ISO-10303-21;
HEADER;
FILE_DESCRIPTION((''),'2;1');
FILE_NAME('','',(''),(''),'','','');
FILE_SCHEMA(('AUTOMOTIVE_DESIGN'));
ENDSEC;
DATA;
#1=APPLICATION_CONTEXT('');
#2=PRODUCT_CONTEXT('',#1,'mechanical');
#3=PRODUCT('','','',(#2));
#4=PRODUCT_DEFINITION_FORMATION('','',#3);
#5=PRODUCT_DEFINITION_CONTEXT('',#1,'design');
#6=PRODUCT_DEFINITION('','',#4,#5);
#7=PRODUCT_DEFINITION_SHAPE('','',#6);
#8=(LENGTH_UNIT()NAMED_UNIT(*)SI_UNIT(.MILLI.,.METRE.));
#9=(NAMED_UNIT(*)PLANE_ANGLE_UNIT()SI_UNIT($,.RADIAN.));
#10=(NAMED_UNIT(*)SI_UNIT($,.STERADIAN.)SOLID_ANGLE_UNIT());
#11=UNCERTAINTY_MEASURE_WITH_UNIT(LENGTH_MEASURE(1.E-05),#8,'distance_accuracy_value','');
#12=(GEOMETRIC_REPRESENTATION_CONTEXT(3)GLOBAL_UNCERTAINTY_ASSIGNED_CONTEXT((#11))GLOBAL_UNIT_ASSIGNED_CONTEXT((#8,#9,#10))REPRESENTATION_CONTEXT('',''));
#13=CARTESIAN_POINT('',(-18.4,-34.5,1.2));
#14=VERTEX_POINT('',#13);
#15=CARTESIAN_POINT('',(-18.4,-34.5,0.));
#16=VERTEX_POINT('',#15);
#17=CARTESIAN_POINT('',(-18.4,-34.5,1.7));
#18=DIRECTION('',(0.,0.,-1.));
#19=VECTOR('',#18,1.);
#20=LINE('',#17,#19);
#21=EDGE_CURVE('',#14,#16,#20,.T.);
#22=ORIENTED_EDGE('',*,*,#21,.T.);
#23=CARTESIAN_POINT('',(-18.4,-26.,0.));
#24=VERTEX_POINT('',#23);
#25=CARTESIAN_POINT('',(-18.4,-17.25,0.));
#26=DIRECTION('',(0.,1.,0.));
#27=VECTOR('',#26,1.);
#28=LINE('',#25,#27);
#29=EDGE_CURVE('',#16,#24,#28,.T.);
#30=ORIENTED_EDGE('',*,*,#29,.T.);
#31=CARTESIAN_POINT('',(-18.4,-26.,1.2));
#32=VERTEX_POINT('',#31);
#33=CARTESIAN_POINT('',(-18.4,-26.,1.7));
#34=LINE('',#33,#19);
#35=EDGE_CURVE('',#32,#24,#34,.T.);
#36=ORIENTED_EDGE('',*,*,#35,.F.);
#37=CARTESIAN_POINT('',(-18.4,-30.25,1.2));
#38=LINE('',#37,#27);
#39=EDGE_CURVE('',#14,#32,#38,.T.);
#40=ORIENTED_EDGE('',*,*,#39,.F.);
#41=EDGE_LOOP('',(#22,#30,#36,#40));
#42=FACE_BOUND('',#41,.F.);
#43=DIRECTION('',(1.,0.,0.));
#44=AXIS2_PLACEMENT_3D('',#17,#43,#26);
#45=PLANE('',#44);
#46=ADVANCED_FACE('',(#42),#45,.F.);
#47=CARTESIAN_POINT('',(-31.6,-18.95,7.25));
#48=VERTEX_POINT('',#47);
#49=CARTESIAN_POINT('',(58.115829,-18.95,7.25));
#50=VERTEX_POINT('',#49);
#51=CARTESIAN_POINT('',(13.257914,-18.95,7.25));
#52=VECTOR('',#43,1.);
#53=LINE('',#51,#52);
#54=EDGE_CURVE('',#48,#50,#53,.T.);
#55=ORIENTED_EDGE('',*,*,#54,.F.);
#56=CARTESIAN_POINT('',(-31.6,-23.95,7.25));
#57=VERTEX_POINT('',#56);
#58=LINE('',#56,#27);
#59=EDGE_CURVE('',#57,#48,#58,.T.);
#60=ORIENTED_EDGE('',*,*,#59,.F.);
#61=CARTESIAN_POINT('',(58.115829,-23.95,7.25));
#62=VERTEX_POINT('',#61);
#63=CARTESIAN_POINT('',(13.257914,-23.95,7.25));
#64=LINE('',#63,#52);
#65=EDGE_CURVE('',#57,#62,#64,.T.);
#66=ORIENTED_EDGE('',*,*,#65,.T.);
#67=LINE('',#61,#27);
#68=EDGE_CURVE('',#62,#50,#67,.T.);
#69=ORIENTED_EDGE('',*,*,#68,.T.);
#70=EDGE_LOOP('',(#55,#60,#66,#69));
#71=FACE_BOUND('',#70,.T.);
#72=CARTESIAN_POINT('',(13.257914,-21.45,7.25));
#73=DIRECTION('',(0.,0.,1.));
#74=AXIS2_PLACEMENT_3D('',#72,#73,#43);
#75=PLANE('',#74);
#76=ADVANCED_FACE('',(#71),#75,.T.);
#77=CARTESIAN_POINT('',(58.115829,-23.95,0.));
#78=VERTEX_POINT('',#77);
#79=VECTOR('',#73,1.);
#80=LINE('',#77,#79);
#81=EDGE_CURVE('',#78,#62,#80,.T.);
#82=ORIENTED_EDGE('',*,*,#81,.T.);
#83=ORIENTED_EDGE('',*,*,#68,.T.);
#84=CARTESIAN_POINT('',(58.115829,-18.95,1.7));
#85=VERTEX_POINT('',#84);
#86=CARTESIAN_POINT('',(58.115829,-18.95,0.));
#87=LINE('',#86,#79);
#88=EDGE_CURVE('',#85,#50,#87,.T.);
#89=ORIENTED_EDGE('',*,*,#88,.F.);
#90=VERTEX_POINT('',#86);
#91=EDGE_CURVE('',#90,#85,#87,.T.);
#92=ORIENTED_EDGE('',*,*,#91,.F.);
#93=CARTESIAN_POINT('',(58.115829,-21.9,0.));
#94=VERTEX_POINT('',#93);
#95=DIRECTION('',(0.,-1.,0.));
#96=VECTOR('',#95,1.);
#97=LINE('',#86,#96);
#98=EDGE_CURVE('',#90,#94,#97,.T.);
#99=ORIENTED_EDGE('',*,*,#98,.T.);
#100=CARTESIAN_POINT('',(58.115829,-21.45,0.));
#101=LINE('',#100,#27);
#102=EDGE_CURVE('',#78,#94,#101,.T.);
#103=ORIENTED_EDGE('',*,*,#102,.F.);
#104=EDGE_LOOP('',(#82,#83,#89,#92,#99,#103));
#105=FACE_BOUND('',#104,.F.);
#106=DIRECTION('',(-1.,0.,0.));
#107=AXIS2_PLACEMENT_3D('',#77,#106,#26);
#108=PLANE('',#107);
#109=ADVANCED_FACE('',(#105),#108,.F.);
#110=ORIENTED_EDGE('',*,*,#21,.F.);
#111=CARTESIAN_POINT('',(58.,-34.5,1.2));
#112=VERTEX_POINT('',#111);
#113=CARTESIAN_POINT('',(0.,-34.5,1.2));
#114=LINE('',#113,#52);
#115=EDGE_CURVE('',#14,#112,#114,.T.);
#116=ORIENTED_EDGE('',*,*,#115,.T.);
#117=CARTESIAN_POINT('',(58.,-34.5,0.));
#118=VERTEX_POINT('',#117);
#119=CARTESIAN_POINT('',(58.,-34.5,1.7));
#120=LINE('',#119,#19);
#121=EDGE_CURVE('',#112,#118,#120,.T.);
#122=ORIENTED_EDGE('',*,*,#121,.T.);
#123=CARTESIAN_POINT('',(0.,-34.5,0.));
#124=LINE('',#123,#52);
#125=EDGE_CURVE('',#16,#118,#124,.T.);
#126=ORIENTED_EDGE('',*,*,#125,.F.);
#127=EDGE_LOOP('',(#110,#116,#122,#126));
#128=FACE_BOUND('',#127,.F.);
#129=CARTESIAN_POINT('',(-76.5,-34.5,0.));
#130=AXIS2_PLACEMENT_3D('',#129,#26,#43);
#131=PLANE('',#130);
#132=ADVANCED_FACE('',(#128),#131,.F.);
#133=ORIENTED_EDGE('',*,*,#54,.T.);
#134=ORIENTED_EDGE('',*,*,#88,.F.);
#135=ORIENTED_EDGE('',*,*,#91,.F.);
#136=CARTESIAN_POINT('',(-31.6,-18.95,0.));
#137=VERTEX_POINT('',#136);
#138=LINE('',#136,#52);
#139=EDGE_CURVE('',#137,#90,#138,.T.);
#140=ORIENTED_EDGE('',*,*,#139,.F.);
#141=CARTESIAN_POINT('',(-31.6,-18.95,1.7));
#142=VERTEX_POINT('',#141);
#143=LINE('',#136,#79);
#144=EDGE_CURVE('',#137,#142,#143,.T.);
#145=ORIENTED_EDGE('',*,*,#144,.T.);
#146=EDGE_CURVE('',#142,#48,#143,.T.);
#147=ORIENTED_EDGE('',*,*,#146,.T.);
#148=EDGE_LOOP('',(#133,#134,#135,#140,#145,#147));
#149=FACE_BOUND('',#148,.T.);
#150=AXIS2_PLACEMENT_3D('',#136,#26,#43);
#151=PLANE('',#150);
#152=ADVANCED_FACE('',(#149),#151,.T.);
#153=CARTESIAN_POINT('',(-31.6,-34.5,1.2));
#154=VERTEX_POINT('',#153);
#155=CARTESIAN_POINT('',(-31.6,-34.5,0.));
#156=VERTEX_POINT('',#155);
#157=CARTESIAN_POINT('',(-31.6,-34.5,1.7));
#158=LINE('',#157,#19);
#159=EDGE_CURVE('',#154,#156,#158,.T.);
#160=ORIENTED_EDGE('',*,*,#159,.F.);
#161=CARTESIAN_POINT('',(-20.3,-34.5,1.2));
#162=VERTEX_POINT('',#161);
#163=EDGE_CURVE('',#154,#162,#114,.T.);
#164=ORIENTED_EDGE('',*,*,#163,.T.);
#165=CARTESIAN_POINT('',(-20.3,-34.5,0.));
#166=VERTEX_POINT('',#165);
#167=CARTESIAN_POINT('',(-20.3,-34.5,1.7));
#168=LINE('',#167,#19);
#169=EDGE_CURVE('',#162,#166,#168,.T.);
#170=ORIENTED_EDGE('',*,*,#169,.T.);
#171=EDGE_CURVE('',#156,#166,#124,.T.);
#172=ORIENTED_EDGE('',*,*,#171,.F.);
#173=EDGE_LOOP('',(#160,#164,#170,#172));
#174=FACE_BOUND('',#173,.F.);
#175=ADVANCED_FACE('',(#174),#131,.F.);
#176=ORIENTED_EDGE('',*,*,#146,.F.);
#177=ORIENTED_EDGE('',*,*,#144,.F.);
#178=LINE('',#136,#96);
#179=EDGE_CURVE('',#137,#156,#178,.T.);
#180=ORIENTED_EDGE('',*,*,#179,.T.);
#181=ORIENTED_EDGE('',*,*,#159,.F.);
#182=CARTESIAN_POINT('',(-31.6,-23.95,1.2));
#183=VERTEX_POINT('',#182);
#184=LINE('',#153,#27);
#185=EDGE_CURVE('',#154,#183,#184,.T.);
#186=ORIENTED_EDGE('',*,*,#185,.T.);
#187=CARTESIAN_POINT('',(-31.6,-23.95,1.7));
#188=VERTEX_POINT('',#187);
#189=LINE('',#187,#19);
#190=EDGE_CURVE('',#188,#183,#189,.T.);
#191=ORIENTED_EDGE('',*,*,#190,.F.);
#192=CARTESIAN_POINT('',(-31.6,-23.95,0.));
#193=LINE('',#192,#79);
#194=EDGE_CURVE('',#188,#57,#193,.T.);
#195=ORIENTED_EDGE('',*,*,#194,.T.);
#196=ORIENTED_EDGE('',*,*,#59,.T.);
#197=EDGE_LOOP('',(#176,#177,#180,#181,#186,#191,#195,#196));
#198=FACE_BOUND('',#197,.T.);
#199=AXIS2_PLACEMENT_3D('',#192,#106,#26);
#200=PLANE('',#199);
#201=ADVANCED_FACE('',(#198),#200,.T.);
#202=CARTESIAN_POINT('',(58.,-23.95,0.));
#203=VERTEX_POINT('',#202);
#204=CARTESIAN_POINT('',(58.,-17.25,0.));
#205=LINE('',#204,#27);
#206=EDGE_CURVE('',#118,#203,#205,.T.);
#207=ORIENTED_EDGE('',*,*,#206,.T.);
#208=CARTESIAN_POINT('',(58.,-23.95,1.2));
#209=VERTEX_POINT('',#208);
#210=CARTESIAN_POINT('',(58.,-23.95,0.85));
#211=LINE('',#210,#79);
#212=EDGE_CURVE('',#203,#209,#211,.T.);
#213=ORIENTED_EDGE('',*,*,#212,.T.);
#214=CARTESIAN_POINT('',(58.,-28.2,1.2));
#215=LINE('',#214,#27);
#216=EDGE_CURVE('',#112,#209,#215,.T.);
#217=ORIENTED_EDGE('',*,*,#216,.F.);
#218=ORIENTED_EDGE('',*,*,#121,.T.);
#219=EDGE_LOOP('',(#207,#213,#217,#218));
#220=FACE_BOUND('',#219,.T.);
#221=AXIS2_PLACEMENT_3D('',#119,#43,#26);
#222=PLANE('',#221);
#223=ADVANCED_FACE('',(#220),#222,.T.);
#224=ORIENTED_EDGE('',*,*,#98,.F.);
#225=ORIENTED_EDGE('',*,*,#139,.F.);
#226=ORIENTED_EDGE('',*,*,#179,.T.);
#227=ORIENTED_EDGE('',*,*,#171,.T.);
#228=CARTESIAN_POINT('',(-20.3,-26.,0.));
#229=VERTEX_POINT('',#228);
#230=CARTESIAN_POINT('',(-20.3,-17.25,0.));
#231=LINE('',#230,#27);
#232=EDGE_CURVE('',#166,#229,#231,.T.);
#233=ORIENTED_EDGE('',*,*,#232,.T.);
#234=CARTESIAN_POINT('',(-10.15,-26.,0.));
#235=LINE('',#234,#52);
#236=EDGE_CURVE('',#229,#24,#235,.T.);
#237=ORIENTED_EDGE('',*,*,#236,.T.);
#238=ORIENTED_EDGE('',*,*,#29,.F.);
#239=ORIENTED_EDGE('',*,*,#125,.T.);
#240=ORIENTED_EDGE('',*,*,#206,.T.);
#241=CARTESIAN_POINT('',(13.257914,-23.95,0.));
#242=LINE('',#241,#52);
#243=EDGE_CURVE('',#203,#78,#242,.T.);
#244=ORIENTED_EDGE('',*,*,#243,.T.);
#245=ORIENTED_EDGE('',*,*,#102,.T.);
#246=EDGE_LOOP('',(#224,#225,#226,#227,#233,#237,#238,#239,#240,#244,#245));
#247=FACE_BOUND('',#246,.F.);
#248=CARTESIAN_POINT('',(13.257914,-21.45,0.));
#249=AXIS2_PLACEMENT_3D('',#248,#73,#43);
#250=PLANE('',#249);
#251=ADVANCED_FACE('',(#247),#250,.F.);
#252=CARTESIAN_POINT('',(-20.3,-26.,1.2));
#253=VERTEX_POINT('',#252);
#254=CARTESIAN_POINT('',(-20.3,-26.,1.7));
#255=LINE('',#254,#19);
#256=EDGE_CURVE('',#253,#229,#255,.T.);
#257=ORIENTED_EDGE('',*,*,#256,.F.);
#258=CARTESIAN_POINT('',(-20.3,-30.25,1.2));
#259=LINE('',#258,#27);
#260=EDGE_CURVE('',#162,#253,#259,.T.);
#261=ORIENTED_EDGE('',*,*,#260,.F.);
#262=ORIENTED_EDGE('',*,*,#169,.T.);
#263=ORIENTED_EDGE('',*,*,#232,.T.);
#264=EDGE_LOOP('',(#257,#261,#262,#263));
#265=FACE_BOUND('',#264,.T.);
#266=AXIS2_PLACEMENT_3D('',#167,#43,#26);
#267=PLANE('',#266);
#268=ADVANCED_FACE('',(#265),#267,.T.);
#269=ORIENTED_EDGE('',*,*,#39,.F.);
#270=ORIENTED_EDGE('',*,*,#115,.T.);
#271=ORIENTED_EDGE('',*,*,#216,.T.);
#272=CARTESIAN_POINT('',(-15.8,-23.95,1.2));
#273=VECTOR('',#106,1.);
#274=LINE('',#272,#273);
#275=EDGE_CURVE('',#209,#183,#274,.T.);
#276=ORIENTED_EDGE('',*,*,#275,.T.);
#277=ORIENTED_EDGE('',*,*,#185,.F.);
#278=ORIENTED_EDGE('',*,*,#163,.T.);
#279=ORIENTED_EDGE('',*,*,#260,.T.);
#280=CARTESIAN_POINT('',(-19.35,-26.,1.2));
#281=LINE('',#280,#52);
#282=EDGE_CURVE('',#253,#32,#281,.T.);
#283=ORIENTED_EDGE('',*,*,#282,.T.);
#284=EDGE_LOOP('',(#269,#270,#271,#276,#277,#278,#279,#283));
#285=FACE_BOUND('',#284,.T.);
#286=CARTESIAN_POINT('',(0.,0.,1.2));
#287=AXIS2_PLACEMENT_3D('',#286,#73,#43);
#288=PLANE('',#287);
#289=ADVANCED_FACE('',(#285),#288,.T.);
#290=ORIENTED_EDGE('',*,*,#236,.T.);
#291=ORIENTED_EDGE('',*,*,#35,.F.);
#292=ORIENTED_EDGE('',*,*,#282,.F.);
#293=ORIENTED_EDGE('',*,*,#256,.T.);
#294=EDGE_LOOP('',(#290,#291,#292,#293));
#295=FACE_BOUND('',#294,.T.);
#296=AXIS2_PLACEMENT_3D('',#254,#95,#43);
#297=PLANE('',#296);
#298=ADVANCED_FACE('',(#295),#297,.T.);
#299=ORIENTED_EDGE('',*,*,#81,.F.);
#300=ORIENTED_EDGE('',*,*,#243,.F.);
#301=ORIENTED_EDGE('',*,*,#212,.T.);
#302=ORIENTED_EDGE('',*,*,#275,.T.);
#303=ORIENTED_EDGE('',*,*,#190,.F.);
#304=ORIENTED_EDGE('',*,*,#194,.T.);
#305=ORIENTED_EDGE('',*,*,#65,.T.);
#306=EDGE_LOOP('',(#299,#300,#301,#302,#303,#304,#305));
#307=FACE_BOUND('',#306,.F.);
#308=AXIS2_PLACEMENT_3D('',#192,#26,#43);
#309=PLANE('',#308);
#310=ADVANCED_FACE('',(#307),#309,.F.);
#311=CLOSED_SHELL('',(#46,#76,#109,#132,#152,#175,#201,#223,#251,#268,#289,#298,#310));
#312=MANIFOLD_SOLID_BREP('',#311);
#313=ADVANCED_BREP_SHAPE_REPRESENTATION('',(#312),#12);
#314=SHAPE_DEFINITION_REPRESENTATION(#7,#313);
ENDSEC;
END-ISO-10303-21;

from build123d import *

# Parameters (mm, degrees)
F0_W     = 153
F0_H     = 69
F1_DEPTH = 1.7
F2_W     = 15
F2_H     = 4.6
F2_W_2   = 8
F2_W_3   = 1.9
F2_H_2   = 8.5
F2_W_4   = 18.5
F2_H_3   = 12.6
F2_R     = 2
F2_R_2   = 1.7
F2_W_5   = 6.6
F2_H_4   = 2.1
F3_DEPTH = 1.701
F4_W     = 89.7158287823
F4_H     = 5
F5_DEPTH = 1.701
F6_DEPTH = 7.25
F8_DEPTH = 7.251
F9_DEPTH = 0.5


with BuildPart() as f1:
    # F0 (on Top) → F1 (new body)
    with BuildSketch(Plane.XY):
        Rectangle(F0_W, F0_H)
    extrude(amount=F1_DEPTH)

    # F2 (on face) → F3 (cut, through all)
    with BuildSketch(Plane.XY.offset(1.7)):
        with Locations((-69, -32.2)):
            Rectangle(F2_W, F2_H)
        Polygon((-61.5, -29.9), (-61.5, -34.5), (-43.1, -34.5), (-43.1, -29.9), (-43.1, -21.9), (-61.5, -21.9), align=None)
        with Locations((-39.1, -32.2)):
            Rectangle(F2_W_2, F2_H)
        Polygon((-35.1, -29.9), (-35.1, -34.5), (-31.6, -34.5), (-31.6, -21.9), (-35.1, -21.9), align=None)
        with Locations((-19.35, -30.25)):
            Rectangle(F2_W_3, F2_H_2)
        with Locations((67.25, -28.2)):
            Rectangle(F2_W_4, F2_H_3)
        with Locations((-69, -24.9)):
            Circle(F2_R)
        with Locations((-69, 19.1)):
            Circle(F2_R)
        with Locations((71.5, 18.8)):
            Circle(F2_R_2)
        with Locations((71.5, -6.2)):
            Circle(F2_R_2)
        with Locations((41.5, 18.8)):
            Circle(F2_R_2)
        with Locations((41.5, -6.2)):
            Circle(F2_R_2)
        with Locations((-38.5, 29.05)):
            Rectangle(F2_W_5, F2_H_4)
        with Locations((-38.5, 8.55)):
            Rectangle(F2_W_5, F2_H_4)
        with Locations((-38.5, -16.45)):
            Rectangle(F2_W_5, F2_H_4)
        with Locations((-38.5, 4.05)):
            Rectangle(F2_W_5, F2_H_4)
        with Locations((61.5, 29.05)):
            Rectangle(F2_W_5, F2_H_4)
        with Locations((61.5, 8.55)):
            Rectangle(F2_W_5, F2_H_4)
        with Locations((61.5, 4.05)):
            Rectangle(F2_W_5, F2_H_4)
        with Locations((61.5, -16.45)):
            Rectangle(F2_W_5, F2_H_4)
        with Locations((-18.5, 18.8)):
            Circle(F2_R_2)
        with Locations((-48.5, 18.8)):
            Circle(F2_R_2)
        with Locations((-18.5, -6.2)):
            Circle(F2_R_2)
        with Locations((-48.5, -6.2)):
            Circle(F2_R_2)
    extrude(amount=-F3_DEPTH, mode=Mode.SUBTRACT)

    # F4 (on Top) → F5 (cut, through all)
    with BuildSketch(Plane.XY):
        with Locations((13.2579143912, -21.45)):
            Rectangle(F4_W, F4_H)
    extrude(amount=F5_DEPTH, mode=Mode.SUBTRACT)

    # F4 (on Top) → F6 (join)
    with BuildSketch(Plane.XY):
        with Locations((13.2579143912, -21.45)):
            Rectangle(F4_W, F4_H)
    extrude(amount=F6_DEPTH)

    # F7 (on Top) → F8 (cut, through all)
    with BuildSketch(Plane.XY):
        Polygon((76.5, -21.9), (76.5, 34.5), (-76.5, 34.5), (-76.5, -29.9), (-61.5, -29.9), (-61.5, -21.9), (-43.1, -21.9), (-43.1, -29.9), (-35.1, -29.9), (-35.1, -21.9), (-31.6, -21.9), (-31.6, -18.95), (58.1158287823, -18.95), (58.1158287823, -21.9), align=None)
    extrude(amount=F8_DEPTH, mode=Mode.SUBTRACT)

    # F9 (cut): a face of the model
    f9_faces = [f1.faces().sort_by_distance(p)[0] for p in [
        (13.7657792774, -29.2071836019, 1.7),
    ]]
    extrude(f9_faces, amount=-F9_DEPTH, mode=Mode.SUBTRACT)


solid = f1.part
